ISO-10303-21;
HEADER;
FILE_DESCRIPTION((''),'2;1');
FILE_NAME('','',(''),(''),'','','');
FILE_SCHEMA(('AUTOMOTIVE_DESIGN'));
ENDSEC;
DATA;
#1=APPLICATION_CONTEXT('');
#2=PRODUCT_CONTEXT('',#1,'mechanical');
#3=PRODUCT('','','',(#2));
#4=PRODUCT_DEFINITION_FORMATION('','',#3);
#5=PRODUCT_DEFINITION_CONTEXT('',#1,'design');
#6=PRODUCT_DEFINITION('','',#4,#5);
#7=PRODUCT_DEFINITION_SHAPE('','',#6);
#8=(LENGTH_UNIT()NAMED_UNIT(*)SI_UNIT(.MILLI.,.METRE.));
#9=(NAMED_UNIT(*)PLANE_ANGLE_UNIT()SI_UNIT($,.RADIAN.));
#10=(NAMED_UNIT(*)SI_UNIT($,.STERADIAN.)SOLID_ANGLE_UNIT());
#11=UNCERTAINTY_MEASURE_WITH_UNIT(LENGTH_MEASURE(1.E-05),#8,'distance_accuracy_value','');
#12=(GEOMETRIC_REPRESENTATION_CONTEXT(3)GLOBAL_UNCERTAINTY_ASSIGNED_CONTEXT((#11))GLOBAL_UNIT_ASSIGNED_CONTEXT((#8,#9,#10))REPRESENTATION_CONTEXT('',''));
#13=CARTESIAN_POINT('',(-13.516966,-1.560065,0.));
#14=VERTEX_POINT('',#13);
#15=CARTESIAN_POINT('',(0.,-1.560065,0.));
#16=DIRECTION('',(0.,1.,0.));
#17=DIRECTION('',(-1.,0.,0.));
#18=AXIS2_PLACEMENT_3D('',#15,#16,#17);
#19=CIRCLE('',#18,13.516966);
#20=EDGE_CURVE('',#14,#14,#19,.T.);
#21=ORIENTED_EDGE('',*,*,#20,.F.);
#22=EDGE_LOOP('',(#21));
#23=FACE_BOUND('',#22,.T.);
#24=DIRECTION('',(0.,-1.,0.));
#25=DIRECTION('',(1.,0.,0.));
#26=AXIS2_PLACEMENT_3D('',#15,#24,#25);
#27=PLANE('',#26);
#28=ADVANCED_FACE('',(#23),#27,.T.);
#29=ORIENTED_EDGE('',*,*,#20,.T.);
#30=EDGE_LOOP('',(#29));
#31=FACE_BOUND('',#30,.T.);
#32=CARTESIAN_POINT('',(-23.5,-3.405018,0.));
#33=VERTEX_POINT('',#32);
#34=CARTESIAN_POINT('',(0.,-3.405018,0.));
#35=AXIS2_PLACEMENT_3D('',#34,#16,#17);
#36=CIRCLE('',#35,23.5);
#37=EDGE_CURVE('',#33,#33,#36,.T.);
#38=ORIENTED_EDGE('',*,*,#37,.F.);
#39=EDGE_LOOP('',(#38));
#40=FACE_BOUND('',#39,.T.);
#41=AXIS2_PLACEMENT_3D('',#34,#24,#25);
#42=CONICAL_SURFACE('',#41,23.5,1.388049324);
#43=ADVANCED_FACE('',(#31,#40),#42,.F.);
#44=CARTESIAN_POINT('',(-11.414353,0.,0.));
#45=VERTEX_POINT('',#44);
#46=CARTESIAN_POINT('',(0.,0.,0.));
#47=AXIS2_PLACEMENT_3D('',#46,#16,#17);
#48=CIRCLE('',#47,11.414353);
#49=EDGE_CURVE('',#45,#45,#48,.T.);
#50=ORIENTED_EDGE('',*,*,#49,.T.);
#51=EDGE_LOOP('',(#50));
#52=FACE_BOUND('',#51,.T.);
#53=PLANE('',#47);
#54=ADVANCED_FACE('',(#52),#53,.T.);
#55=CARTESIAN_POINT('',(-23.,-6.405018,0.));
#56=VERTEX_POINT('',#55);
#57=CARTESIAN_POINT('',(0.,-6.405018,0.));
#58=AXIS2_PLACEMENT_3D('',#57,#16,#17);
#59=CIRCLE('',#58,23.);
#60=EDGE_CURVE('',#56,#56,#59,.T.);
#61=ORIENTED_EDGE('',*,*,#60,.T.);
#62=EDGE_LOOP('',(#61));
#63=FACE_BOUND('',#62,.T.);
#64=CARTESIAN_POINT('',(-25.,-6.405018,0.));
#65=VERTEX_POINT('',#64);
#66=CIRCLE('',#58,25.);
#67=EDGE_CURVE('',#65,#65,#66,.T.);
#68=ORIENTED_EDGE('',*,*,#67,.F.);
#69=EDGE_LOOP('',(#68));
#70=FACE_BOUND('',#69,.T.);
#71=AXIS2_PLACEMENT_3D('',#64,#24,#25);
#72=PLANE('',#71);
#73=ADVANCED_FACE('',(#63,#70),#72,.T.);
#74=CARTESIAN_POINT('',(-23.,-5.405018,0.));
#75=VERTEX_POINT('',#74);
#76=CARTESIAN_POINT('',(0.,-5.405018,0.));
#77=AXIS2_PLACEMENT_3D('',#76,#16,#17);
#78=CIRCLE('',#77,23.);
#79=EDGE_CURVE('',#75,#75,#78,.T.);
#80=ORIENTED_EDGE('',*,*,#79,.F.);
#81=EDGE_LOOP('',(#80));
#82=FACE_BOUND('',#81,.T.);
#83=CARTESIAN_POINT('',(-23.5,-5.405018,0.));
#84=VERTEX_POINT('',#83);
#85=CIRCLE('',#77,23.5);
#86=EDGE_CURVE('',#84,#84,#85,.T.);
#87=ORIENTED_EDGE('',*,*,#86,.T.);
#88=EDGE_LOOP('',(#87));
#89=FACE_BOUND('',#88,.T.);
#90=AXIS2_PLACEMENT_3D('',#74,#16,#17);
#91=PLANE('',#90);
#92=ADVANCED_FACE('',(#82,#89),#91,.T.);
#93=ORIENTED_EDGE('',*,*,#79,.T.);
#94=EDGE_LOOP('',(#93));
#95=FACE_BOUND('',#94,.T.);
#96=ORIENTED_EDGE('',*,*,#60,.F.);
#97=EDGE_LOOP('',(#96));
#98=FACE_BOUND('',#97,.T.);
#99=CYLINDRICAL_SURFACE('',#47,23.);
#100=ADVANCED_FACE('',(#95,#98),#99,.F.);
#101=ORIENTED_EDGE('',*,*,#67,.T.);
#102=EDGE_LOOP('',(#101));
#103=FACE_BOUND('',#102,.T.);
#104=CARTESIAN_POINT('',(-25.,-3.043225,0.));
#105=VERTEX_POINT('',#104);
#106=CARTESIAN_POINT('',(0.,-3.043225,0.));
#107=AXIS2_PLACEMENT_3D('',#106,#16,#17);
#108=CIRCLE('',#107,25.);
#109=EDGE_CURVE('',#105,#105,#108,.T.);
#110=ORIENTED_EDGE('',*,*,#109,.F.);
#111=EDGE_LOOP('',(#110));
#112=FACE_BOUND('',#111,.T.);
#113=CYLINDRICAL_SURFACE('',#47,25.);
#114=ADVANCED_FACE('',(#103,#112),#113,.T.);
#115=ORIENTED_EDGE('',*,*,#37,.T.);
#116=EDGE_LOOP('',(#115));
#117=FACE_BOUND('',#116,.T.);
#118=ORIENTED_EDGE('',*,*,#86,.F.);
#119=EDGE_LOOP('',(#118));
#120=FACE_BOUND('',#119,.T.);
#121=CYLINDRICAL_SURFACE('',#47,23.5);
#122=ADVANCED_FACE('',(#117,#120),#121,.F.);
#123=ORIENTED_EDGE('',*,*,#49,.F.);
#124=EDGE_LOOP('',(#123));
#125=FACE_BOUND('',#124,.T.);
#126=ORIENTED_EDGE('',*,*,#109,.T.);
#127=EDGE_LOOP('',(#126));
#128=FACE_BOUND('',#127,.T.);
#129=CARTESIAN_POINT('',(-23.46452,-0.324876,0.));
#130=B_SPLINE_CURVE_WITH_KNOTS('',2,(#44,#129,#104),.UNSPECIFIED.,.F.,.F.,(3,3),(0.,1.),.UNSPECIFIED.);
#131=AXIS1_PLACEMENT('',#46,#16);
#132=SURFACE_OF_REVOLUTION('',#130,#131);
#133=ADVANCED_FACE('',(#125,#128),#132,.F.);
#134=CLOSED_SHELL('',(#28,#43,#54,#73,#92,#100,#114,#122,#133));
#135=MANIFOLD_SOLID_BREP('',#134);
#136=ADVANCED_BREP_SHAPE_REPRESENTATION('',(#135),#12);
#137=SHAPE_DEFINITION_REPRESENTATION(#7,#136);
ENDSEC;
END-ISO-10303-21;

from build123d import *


with BuildPart() as part:
    # Esquisse1 → Révolution1 (revolve)
    with BuildSketch(Plane.XY):
        with BuildLine():
            Line((0, 0), (-11.414353025, 0))
            add(Edge.make_bspline(
                [(-11.414353025, 0), (-23.4645195, -0.324875606), (-25, -3.043224693)],
                knots=[0, 0, 0, 1, 1, 1], degree=2))
            Line((-25, -3.043224693), (-25, -6.405018167))
            Line((-25, -6.405018167), (-23, -6.405018167))
            Line((-23, -6.405018167), (-23, -5.405018167))
            Line((-23, -5.405018167), (-23.5, -5.405018167))
            Line((-23.5, -5.405018167), (-23.5, -3.405018167))
            Line((-23.5, -3.405018167), (-13.516966398, -1.56006451))
            Line((-13.516966398, -1.56006451), (0, -1.56006451))
            Line((0, -1.56006451), (0, 0))
        make_face()
    revolve(axis=Axis((0, 0, 0), (0, -1, 0)))


solid = part.part
